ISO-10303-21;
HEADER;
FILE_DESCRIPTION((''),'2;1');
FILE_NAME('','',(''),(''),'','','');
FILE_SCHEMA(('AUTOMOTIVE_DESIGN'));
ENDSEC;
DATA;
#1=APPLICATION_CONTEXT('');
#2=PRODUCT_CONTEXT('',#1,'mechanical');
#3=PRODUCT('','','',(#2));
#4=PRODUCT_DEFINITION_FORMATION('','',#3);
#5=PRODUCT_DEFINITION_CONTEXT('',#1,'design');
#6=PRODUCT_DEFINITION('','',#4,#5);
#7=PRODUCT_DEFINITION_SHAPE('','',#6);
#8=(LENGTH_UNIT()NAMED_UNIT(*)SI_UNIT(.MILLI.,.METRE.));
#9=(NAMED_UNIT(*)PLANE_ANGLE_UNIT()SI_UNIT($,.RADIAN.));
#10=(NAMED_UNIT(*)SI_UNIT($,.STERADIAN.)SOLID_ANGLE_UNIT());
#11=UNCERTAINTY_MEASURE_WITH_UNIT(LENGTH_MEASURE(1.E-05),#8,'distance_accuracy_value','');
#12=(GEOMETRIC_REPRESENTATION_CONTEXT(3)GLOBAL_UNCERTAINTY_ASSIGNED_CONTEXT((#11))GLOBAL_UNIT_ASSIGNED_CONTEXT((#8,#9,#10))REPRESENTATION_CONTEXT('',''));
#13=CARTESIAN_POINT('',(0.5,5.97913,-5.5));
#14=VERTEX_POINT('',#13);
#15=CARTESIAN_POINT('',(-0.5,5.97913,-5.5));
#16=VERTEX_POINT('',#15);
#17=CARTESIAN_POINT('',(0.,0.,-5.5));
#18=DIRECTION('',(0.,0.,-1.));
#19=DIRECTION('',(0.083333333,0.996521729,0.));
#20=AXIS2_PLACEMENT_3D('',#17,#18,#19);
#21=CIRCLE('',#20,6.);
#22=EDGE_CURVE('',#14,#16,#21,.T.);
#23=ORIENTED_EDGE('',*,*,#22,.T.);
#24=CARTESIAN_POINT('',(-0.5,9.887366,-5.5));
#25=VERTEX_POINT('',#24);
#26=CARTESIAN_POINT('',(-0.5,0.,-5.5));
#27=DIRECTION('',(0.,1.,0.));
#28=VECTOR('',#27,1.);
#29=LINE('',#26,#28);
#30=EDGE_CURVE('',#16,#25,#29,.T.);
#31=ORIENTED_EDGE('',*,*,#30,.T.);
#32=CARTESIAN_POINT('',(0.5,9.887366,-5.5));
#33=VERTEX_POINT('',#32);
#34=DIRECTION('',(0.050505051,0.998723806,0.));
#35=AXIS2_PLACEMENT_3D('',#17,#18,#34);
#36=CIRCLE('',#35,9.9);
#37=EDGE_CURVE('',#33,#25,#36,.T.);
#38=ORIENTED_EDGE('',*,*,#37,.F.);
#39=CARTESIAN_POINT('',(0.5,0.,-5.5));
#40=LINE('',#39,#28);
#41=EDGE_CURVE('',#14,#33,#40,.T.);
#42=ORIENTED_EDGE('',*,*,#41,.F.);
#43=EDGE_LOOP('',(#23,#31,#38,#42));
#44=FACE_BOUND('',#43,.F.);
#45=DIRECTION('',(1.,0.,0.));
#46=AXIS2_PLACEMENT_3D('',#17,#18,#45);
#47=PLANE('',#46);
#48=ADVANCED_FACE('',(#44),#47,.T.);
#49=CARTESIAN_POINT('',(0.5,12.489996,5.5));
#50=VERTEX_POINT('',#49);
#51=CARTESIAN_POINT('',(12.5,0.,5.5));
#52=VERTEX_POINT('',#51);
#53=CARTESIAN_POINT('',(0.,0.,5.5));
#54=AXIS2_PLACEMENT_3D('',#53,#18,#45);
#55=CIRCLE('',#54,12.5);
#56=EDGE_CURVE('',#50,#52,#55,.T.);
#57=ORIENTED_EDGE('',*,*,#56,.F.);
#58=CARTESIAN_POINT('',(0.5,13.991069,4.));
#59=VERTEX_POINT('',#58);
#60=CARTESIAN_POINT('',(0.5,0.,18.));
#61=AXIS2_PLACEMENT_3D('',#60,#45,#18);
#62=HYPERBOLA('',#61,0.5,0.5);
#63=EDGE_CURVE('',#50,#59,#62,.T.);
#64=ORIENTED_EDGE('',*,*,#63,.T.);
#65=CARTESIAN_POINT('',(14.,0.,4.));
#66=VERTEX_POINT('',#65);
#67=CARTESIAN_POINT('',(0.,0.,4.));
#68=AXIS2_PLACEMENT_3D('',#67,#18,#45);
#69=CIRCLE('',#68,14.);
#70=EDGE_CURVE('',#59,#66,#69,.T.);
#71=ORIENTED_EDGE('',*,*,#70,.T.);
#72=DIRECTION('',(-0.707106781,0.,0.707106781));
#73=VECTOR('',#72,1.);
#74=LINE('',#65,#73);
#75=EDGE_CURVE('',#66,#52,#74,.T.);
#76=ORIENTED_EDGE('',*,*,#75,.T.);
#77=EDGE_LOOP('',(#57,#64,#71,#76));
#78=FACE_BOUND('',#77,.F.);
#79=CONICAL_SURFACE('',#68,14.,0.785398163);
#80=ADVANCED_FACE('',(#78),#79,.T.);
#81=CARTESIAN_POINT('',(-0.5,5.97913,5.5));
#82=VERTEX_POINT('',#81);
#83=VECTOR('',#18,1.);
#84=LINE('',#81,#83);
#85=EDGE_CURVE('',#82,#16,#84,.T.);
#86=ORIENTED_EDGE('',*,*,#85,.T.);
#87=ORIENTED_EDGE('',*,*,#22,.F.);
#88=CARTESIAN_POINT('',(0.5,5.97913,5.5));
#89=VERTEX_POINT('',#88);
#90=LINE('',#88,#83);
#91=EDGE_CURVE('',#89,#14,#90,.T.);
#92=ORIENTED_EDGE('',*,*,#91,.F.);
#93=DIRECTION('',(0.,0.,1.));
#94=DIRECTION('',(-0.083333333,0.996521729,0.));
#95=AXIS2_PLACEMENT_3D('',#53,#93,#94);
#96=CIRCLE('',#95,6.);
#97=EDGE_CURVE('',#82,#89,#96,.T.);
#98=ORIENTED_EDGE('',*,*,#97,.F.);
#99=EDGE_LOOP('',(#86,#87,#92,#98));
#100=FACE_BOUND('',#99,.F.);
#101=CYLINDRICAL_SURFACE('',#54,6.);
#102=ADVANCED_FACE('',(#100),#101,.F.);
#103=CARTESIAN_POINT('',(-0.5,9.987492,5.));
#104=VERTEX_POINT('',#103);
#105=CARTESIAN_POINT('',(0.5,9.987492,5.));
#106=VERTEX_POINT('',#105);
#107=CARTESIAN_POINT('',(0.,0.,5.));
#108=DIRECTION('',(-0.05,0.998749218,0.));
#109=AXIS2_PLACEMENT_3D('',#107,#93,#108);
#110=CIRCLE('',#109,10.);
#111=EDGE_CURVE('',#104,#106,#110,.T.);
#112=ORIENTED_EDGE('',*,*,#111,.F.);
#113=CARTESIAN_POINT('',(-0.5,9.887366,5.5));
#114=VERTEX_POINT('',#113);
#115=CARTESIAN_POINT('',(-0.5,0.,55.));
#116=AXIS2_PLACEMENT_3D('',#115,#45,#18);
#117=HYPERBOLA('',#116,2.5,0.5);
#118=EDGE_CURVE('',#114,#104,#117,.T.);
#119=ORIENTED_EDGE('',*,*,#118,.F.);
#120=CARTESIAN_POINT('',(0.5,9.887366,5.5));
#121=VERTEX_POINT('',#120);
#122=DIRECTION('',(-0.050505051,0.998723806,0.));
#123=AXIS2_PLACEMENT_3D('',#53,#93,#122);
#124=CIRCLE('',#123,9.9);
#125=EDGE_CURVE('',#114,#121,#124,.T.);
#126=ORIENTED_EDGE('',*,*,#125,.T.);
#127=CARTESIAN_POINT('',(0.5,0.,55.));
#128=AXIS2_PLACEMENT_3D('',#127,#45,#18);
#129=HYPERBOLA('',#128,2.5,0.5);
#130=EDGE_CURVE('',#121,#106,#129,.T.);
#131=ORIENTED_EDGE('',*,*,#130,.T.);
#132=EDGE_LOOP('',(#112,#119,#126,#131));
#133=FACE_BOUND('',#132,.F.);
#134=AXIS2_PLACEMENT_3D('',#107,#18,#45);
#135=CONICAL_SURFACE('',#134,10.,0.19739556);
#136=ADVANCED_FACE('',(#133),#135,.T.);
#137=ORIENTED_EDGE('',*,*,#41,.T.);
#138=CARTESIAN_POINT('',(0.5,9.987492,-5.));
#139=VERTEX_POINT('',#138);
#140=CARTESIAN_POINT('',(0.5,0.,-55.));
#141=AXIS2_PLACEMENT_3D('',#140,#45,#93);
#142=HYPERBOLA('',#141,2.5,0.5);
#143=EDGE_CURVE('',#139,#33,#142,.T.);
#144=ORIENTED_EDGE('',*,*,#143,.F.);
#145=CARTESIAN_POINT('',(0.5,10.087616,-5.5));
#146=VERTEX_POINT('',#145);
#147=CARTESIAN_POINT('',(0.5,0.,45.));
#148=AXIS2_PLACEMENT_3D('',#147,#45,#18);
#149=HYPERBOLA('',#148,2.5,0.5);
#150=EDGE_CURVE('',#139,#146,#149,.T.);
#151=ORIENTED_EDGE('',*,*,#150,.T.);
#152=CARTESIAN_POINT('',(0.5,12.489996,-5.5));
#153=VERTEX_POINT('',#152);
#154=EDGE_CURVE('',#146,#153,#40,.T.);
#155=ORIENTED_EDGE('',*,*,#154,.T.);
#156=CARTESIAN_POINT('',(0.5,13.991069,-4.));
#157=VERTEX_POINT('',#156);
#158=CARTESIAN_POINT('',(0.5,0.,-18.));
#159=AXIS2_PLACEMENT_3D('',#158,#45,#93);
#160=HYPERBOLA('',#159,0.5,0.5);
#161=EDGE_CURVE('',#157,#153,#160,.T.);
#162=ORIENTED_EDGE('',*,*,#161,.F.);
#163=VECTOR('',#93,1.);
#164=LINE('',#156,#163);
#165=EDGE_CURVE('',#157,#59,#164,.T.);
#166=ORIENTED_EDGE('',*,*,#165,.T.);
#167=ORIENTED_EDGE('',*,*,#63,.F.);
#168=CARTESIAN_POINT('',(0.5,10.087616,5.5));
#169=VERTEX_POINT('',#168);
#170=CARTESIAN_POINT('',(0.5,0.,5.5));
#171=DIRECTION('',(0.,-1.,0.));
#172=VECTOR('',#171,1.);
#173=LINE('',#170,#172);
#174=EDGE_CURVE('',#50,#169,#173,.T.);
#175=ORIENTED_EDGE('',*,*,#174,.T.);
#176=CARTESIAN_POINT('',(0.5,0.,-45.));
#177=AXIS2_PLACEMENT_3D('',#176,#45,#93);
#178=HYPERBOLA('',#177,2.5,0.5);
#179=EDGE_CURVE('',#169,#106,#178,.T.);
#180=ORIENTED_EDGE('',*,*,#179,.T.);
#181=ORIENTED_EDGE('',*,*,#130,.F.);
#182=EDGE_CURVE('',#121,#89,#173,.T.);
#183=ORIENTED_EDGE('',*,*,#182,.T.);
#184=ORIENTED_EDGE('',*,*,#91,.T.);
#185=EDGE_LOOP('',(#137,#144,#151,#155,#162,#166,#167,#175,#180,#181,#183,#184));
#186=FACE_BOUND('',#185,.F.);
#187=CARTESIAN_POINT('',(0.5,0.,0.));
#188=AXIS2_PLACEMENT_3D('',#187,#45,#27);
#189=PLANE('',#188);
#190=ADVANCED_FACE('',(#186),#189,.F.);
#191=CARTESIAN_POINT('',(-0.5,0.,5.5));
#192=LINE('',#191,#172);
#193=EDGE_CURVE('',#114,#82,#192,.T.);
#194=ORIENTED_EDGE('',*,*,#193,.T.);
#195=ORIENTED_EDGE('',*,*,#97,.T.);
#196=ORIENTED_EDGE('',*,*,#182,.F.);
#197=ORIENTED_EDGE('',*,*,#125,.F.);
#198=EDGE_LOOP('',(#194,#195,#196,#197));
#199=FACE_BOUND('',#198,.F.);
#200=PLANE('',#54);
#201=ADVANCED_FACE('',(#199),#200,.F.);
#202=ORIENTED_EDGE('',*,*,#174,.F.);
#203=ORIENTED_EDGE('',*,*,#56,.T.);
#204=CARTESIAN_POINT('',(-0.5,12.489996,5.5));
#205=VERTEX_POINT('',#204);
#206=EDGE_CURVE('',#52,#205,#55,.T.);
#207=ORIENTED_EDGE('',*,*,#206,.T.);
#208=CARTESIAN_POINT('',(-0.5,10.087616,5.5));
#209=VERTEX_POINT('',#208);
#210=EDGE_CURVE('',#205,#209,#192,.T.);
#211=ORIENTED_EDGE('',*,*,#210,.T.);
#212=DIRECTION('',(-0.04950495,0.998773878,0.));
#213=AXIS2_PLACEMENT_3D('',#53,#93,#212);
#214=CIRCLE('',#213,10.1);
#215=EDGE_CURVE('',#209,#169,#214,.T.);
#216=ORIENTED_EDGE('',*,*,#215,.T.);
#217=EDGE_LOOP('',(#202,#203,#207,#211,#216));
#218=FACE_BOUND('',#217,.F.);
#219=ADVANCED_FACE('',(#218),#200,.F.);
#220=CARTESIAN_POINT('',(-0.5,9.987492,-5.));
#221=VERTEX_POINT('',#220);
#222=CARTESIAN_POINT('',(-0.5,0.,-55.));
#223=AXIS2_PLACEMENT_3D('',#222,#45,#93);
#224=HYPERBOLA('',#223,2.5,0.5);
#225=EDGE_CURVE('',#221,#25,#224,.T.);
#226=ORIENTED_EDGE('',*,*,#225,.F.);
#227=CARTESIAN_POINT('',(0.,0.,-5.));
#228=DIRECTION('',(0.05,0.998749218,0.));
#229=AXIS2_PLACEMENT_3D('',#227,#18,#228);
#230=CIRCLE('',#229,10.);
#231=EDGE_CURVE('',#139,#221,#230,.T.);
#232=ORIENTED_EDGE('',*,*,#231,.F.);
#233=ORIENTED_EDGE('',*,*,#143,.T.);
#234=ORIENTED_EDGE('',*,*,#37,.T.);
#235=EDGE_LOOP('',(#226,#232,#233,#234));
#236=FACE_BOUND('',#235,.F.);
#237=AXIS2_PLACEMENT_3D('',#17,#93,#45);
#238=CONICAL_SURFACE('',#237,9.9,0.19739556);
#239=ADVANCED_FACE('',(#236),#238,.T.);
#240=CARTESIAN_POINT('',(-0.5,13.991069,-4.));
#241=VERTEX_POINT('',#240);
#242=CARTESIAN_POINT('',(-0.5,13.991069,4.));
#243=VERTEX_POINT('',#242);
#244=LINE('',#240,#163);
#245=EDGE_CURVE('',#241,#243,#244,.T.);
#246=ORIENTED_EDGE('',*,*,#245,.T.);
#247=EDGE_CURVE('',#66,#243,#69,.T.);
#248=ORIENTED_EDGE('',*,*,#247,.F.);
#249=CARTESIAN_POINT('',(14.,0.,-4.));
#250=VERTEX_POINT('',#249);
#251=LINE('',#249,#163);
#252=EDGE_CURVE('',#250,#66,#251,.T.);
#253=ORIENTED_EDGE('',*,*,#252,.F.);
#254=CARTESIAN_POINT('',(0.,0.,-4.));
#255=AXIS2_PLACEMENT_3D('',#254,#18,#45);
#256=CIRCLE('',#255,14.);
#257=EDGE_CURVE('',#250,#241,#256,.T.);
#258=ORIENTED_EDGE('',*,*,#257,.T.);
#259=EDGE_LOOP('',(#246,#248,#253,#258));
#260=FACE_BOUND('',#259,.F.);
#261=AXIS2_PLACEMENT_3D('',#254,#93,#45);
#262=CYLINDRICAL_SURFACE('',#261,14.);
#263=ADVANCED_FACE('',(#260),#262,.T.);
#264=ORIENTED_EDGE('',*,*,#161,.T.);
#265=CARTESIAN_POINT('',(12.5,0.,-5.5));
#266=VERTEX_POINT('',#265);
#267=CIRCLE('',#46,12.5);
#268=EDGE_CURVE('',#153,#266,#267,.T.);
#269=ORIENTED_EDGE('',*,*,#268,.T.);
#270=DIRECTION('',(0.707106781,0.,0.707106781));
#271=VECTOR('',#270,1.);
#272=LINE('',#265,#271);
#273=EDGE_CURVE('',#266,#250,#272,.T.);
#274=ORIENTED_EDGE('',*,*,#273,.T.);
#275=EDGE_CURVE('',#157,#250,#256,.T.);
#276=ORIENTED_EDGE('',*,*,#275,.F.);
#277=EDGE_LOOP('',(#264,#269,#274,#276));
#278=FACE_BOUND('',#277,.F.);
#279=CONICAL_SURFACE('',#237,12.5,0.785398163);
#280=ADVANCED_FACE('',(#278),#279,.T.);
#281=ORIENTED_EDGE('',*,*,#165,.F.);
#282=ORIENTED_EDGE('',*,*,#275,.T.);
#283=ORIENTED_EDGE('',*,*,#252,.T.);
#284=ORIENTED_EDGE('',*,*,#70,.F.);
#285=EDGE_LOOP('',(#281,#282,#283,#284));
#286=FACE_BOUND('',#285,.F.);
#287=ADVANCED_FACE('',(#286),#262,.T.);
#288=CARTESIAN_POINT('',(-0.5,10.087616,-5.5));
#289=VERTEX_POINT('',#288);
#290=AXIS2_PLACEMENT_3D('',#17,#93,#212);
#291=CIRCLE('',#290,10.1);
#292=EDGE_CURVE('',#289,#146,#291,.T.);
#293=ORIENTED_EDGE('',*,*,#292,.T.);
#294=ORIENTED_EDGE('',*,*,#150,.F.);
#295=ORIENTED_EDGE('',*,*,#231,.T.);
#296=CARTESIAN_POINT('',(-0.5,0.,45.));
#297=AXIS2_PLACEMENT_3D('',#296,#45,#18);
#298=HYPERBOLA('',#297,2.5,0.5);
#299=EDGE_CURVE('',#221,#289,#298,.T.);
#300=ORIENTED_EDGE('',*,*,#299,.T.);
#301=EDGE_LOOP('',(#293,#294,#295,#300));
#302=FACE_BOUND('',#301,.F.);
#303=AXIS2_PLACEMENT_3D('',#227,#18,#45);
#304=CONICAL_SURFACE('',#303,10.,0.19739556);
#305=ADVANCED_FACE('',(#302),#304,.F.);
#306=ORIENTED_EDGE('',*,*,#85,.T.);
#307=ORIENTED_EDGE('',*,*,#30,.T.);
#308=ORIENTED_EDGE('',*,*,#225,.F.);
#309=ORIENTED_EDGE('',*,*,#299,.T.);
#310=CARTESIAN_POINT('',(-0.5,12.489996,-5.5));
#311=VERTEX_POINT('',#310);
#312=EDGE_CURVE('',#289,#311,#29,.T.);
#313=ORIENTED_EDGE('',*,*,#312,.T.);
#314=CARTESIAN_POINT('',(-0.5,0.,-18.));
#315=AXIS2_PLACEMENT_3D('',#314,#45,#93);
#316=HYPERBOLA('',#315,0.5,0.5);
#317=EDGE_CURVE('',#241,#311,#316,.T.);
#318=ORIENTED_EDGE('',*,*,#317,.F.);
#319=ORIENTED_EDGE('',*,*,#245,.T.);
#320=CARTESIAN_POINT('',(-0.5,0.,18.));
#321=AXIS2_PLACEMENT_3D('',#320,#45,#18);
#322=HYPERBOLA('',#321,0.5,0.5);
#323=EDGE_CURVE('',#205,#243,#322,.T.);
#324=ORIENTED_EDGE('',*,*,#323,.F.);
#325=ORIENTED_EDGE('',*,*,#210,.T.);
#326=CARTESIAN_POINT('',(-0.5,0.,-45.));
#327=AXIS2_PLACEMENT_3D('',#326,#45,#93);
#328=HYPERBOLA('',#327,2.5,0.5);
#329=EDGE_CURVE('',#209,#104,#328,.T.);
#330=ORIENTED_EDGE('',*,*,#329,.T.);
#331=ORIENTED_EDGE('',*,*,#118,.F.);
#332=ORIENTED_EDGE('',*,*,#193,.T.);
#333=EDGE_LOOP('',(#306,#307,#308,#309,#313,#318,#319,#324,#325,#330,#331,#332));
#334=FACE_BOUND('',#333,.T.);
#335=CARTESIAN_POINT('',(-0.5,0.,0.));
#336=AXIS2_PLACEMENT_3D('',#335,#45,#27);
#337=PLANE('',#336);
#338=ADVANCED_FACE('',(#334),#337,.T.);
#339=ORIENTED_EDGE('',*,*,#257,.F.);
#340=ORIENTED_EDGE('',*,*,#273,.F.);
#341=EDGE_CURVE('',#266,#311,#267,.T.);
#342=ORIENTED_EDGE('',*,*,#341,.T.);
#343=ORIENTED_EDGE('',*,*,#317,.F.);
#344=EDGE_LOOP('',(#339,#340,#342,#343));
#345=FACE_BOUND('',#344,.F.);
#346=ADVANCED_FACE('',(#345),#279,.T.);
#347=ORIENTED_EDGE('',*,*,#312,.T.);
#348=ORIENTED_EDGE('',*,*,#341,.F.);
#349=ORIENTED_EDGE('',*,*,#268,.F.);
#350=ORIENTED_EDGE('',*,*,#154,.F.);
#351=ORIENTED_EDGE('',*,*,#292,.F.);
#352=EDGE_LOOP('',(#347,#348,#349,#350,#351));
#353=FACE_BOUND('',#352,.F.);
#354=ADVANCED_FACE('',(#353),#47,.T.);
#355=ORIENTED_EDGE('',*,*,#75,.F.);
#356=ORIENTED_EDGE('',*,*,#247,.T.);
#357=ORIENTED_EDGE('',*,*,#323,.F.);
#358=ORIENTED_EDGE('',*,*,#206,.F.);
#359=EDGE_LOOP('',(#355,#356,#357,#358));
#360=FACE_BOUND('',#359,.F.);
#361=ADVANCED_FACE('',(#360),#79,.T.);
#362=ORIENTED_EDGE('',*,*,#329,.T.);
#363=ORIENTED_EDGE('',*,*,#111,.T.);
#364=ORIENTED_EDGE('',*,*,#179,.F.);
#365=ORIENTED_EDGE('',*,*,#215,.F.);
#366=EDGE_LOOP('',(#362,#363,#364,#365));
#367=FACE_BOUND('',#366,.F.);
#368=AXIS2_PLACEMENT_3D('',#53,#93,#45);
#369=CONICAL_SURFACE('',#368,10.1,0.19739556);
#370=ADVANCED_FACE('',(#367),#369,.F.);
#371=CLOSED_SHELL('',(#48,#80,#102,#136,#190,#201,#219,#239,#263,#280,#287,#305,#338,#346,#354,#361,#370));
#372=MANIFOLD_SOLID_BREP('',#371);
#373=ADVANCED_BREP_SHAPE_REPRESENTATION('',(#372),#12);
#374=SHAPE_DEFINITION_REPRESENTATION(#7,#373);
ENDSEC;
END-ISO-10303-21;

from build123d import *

# Parameters (mm, degrees)
SKETCH3_W          = 1
SKETCH3_H          = 14
CUT_EXTRUDE2_DEPTH = 15


with BuildPart() as part:
    # Sketch1 → Revolve1 (revolve)
    with BuildSketch(Plane(origin=(0, 0, 0), x_dir=(0, 0, -1), z_dir=(1, 0, 0)), mode=Mode.PRIVATE) as revolve1_sk:
        Polygon((-5.5, 6), (5.5, 6), (5.5, 9.9), (5, 10), (5.5, 10.1), (5.5, 12.5), (4, 14), (-4, 14), (-5.5, 12.5), (-5.5, 10.1), (-5, 10), (-5.5, 9.9), align=None)
    revolve(revolve1_sk.sketch.rotate(Axis((0, 0, 10.112306333), (0, 0, -1)), 90), axis=Axis((0, 0, 10.112306333), (0, 0, -1)))

    # Sketch3 → Cut-Extrude2 (cut, symmetric)
    with BuildSketch(Plane.XY):
        with Locations((0, 7)):
            Rectangle(SKETCH3_W, SKETCH3_H)
    extrude(amount=CUT_EXTRUDE2_DEPTH, both=True, mode=Mode.SUBTRACT)


solid = part.part
